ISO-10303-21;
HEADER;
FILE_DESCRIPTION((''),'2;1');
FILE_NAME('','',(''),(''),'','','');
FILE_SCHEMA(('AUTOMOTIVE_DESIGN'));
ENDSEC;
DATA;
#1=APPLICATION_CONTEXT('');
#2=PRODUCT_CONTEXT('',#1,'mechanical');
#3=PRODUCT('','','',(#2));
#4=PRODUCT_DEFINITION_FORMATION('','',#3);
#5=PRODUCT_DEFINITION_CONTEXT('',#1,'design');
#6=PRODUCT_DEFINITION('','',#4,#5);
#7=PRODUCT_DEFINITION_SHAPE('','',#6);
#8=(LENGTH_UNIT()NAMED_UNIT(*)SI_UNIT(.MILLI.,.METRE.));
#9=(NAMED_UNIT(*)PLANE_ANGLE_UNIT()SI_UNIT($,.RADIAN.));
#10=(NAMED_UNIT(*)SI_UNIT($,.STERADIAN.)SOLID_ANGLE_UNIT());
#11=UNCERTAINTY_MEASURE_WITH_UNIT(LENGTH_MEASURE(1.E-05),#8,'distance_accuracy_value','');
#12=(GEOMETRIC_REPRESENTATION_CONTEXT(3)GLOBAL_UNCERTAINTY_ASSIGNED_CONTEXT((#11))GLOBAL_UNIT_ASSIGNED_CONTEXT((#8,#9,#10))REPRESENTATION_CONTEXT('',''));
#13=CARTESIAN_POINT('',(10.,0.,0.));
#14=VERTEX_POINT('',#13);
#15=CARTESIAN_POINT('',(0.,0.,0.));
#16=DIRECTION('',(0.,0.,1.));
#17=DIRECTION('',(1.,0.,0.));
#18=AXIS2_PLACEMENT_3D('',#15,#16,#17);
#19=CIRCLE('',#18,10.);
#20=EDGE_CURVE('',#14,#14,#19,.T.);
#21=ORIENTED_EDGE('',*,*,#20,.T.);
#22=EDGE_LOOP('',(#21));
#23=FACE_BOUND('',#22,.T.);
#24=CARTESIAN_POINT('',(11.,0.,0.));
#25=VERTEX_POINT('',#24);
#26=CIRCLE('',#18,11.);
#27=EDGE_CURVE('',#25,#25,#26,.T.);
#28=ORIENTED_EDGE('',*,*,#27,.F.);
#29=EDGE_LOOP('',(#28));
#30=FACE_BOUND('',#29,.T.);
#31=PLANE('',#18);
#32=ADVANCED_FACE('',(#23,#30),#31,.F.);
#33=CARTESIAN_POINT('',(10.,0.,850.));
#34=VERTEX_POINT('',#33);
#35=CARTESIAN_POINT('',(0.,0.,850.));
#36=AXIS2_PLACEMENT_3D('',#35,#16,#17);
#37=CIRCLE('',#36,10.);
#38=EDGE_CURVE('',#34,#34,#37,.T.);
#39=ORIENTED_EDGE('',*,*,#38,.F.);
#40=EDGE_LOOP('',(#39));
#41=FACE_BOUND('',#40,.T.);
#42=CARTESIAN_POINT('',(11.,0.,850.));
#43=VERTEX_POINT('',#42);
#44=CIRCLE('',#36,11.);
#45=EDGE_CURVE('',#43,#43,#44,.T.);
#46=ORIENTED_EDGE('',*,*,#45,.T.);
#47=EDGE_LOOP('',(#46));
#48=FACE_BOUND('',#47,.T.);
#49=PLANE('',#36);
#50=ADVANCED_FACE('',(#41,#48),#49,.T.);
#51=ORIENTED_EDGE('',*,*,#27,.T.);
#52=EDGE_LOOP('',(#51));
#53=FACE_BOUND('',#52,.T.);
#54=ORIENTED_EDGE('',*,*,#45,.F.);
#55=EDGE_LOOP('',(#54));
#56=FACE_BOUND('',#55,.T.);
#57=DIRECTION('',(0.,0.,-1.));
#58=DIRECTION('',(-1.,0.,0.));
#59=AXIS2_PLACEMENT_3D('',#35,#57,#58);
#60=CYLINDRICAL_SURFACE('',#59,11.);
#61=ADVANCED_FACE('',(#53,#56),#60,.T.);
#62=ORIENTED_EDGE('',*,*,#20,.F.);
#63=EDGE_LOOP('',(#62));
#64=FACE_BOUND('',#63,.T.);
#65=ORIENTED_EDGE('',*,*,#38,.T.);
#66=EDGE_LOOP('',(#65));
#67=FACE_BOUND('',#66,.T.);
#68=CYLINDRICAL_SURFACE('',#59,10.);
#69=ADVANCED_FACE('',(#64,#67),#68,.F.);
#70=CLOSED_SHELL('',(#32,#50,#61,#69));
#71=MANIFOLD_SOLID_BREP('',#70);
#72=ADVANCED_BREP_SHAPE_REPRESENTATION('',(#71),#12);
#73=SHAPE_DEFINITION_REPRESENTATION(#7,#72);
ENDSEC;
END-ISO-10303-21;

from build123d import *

# Parameters (mm, degrees)
SKETCH1_R           = 11
SKETCH1_R_2         = 10
BOSS_EXTRUDE1_DEPTH = 850


with BuildPart() as part:
    # Sketch1 → Boss-Extrude1 (new body)
    with BuildSketch(Plane.XY):
        Circle(SKETCH1_R)
        Circle(SKETCH1_R_2, mode=Mode.SUBTRACT)
    extrude(amount=BOSS_EXTRUDE1_DEPTH)


solid = part.part
